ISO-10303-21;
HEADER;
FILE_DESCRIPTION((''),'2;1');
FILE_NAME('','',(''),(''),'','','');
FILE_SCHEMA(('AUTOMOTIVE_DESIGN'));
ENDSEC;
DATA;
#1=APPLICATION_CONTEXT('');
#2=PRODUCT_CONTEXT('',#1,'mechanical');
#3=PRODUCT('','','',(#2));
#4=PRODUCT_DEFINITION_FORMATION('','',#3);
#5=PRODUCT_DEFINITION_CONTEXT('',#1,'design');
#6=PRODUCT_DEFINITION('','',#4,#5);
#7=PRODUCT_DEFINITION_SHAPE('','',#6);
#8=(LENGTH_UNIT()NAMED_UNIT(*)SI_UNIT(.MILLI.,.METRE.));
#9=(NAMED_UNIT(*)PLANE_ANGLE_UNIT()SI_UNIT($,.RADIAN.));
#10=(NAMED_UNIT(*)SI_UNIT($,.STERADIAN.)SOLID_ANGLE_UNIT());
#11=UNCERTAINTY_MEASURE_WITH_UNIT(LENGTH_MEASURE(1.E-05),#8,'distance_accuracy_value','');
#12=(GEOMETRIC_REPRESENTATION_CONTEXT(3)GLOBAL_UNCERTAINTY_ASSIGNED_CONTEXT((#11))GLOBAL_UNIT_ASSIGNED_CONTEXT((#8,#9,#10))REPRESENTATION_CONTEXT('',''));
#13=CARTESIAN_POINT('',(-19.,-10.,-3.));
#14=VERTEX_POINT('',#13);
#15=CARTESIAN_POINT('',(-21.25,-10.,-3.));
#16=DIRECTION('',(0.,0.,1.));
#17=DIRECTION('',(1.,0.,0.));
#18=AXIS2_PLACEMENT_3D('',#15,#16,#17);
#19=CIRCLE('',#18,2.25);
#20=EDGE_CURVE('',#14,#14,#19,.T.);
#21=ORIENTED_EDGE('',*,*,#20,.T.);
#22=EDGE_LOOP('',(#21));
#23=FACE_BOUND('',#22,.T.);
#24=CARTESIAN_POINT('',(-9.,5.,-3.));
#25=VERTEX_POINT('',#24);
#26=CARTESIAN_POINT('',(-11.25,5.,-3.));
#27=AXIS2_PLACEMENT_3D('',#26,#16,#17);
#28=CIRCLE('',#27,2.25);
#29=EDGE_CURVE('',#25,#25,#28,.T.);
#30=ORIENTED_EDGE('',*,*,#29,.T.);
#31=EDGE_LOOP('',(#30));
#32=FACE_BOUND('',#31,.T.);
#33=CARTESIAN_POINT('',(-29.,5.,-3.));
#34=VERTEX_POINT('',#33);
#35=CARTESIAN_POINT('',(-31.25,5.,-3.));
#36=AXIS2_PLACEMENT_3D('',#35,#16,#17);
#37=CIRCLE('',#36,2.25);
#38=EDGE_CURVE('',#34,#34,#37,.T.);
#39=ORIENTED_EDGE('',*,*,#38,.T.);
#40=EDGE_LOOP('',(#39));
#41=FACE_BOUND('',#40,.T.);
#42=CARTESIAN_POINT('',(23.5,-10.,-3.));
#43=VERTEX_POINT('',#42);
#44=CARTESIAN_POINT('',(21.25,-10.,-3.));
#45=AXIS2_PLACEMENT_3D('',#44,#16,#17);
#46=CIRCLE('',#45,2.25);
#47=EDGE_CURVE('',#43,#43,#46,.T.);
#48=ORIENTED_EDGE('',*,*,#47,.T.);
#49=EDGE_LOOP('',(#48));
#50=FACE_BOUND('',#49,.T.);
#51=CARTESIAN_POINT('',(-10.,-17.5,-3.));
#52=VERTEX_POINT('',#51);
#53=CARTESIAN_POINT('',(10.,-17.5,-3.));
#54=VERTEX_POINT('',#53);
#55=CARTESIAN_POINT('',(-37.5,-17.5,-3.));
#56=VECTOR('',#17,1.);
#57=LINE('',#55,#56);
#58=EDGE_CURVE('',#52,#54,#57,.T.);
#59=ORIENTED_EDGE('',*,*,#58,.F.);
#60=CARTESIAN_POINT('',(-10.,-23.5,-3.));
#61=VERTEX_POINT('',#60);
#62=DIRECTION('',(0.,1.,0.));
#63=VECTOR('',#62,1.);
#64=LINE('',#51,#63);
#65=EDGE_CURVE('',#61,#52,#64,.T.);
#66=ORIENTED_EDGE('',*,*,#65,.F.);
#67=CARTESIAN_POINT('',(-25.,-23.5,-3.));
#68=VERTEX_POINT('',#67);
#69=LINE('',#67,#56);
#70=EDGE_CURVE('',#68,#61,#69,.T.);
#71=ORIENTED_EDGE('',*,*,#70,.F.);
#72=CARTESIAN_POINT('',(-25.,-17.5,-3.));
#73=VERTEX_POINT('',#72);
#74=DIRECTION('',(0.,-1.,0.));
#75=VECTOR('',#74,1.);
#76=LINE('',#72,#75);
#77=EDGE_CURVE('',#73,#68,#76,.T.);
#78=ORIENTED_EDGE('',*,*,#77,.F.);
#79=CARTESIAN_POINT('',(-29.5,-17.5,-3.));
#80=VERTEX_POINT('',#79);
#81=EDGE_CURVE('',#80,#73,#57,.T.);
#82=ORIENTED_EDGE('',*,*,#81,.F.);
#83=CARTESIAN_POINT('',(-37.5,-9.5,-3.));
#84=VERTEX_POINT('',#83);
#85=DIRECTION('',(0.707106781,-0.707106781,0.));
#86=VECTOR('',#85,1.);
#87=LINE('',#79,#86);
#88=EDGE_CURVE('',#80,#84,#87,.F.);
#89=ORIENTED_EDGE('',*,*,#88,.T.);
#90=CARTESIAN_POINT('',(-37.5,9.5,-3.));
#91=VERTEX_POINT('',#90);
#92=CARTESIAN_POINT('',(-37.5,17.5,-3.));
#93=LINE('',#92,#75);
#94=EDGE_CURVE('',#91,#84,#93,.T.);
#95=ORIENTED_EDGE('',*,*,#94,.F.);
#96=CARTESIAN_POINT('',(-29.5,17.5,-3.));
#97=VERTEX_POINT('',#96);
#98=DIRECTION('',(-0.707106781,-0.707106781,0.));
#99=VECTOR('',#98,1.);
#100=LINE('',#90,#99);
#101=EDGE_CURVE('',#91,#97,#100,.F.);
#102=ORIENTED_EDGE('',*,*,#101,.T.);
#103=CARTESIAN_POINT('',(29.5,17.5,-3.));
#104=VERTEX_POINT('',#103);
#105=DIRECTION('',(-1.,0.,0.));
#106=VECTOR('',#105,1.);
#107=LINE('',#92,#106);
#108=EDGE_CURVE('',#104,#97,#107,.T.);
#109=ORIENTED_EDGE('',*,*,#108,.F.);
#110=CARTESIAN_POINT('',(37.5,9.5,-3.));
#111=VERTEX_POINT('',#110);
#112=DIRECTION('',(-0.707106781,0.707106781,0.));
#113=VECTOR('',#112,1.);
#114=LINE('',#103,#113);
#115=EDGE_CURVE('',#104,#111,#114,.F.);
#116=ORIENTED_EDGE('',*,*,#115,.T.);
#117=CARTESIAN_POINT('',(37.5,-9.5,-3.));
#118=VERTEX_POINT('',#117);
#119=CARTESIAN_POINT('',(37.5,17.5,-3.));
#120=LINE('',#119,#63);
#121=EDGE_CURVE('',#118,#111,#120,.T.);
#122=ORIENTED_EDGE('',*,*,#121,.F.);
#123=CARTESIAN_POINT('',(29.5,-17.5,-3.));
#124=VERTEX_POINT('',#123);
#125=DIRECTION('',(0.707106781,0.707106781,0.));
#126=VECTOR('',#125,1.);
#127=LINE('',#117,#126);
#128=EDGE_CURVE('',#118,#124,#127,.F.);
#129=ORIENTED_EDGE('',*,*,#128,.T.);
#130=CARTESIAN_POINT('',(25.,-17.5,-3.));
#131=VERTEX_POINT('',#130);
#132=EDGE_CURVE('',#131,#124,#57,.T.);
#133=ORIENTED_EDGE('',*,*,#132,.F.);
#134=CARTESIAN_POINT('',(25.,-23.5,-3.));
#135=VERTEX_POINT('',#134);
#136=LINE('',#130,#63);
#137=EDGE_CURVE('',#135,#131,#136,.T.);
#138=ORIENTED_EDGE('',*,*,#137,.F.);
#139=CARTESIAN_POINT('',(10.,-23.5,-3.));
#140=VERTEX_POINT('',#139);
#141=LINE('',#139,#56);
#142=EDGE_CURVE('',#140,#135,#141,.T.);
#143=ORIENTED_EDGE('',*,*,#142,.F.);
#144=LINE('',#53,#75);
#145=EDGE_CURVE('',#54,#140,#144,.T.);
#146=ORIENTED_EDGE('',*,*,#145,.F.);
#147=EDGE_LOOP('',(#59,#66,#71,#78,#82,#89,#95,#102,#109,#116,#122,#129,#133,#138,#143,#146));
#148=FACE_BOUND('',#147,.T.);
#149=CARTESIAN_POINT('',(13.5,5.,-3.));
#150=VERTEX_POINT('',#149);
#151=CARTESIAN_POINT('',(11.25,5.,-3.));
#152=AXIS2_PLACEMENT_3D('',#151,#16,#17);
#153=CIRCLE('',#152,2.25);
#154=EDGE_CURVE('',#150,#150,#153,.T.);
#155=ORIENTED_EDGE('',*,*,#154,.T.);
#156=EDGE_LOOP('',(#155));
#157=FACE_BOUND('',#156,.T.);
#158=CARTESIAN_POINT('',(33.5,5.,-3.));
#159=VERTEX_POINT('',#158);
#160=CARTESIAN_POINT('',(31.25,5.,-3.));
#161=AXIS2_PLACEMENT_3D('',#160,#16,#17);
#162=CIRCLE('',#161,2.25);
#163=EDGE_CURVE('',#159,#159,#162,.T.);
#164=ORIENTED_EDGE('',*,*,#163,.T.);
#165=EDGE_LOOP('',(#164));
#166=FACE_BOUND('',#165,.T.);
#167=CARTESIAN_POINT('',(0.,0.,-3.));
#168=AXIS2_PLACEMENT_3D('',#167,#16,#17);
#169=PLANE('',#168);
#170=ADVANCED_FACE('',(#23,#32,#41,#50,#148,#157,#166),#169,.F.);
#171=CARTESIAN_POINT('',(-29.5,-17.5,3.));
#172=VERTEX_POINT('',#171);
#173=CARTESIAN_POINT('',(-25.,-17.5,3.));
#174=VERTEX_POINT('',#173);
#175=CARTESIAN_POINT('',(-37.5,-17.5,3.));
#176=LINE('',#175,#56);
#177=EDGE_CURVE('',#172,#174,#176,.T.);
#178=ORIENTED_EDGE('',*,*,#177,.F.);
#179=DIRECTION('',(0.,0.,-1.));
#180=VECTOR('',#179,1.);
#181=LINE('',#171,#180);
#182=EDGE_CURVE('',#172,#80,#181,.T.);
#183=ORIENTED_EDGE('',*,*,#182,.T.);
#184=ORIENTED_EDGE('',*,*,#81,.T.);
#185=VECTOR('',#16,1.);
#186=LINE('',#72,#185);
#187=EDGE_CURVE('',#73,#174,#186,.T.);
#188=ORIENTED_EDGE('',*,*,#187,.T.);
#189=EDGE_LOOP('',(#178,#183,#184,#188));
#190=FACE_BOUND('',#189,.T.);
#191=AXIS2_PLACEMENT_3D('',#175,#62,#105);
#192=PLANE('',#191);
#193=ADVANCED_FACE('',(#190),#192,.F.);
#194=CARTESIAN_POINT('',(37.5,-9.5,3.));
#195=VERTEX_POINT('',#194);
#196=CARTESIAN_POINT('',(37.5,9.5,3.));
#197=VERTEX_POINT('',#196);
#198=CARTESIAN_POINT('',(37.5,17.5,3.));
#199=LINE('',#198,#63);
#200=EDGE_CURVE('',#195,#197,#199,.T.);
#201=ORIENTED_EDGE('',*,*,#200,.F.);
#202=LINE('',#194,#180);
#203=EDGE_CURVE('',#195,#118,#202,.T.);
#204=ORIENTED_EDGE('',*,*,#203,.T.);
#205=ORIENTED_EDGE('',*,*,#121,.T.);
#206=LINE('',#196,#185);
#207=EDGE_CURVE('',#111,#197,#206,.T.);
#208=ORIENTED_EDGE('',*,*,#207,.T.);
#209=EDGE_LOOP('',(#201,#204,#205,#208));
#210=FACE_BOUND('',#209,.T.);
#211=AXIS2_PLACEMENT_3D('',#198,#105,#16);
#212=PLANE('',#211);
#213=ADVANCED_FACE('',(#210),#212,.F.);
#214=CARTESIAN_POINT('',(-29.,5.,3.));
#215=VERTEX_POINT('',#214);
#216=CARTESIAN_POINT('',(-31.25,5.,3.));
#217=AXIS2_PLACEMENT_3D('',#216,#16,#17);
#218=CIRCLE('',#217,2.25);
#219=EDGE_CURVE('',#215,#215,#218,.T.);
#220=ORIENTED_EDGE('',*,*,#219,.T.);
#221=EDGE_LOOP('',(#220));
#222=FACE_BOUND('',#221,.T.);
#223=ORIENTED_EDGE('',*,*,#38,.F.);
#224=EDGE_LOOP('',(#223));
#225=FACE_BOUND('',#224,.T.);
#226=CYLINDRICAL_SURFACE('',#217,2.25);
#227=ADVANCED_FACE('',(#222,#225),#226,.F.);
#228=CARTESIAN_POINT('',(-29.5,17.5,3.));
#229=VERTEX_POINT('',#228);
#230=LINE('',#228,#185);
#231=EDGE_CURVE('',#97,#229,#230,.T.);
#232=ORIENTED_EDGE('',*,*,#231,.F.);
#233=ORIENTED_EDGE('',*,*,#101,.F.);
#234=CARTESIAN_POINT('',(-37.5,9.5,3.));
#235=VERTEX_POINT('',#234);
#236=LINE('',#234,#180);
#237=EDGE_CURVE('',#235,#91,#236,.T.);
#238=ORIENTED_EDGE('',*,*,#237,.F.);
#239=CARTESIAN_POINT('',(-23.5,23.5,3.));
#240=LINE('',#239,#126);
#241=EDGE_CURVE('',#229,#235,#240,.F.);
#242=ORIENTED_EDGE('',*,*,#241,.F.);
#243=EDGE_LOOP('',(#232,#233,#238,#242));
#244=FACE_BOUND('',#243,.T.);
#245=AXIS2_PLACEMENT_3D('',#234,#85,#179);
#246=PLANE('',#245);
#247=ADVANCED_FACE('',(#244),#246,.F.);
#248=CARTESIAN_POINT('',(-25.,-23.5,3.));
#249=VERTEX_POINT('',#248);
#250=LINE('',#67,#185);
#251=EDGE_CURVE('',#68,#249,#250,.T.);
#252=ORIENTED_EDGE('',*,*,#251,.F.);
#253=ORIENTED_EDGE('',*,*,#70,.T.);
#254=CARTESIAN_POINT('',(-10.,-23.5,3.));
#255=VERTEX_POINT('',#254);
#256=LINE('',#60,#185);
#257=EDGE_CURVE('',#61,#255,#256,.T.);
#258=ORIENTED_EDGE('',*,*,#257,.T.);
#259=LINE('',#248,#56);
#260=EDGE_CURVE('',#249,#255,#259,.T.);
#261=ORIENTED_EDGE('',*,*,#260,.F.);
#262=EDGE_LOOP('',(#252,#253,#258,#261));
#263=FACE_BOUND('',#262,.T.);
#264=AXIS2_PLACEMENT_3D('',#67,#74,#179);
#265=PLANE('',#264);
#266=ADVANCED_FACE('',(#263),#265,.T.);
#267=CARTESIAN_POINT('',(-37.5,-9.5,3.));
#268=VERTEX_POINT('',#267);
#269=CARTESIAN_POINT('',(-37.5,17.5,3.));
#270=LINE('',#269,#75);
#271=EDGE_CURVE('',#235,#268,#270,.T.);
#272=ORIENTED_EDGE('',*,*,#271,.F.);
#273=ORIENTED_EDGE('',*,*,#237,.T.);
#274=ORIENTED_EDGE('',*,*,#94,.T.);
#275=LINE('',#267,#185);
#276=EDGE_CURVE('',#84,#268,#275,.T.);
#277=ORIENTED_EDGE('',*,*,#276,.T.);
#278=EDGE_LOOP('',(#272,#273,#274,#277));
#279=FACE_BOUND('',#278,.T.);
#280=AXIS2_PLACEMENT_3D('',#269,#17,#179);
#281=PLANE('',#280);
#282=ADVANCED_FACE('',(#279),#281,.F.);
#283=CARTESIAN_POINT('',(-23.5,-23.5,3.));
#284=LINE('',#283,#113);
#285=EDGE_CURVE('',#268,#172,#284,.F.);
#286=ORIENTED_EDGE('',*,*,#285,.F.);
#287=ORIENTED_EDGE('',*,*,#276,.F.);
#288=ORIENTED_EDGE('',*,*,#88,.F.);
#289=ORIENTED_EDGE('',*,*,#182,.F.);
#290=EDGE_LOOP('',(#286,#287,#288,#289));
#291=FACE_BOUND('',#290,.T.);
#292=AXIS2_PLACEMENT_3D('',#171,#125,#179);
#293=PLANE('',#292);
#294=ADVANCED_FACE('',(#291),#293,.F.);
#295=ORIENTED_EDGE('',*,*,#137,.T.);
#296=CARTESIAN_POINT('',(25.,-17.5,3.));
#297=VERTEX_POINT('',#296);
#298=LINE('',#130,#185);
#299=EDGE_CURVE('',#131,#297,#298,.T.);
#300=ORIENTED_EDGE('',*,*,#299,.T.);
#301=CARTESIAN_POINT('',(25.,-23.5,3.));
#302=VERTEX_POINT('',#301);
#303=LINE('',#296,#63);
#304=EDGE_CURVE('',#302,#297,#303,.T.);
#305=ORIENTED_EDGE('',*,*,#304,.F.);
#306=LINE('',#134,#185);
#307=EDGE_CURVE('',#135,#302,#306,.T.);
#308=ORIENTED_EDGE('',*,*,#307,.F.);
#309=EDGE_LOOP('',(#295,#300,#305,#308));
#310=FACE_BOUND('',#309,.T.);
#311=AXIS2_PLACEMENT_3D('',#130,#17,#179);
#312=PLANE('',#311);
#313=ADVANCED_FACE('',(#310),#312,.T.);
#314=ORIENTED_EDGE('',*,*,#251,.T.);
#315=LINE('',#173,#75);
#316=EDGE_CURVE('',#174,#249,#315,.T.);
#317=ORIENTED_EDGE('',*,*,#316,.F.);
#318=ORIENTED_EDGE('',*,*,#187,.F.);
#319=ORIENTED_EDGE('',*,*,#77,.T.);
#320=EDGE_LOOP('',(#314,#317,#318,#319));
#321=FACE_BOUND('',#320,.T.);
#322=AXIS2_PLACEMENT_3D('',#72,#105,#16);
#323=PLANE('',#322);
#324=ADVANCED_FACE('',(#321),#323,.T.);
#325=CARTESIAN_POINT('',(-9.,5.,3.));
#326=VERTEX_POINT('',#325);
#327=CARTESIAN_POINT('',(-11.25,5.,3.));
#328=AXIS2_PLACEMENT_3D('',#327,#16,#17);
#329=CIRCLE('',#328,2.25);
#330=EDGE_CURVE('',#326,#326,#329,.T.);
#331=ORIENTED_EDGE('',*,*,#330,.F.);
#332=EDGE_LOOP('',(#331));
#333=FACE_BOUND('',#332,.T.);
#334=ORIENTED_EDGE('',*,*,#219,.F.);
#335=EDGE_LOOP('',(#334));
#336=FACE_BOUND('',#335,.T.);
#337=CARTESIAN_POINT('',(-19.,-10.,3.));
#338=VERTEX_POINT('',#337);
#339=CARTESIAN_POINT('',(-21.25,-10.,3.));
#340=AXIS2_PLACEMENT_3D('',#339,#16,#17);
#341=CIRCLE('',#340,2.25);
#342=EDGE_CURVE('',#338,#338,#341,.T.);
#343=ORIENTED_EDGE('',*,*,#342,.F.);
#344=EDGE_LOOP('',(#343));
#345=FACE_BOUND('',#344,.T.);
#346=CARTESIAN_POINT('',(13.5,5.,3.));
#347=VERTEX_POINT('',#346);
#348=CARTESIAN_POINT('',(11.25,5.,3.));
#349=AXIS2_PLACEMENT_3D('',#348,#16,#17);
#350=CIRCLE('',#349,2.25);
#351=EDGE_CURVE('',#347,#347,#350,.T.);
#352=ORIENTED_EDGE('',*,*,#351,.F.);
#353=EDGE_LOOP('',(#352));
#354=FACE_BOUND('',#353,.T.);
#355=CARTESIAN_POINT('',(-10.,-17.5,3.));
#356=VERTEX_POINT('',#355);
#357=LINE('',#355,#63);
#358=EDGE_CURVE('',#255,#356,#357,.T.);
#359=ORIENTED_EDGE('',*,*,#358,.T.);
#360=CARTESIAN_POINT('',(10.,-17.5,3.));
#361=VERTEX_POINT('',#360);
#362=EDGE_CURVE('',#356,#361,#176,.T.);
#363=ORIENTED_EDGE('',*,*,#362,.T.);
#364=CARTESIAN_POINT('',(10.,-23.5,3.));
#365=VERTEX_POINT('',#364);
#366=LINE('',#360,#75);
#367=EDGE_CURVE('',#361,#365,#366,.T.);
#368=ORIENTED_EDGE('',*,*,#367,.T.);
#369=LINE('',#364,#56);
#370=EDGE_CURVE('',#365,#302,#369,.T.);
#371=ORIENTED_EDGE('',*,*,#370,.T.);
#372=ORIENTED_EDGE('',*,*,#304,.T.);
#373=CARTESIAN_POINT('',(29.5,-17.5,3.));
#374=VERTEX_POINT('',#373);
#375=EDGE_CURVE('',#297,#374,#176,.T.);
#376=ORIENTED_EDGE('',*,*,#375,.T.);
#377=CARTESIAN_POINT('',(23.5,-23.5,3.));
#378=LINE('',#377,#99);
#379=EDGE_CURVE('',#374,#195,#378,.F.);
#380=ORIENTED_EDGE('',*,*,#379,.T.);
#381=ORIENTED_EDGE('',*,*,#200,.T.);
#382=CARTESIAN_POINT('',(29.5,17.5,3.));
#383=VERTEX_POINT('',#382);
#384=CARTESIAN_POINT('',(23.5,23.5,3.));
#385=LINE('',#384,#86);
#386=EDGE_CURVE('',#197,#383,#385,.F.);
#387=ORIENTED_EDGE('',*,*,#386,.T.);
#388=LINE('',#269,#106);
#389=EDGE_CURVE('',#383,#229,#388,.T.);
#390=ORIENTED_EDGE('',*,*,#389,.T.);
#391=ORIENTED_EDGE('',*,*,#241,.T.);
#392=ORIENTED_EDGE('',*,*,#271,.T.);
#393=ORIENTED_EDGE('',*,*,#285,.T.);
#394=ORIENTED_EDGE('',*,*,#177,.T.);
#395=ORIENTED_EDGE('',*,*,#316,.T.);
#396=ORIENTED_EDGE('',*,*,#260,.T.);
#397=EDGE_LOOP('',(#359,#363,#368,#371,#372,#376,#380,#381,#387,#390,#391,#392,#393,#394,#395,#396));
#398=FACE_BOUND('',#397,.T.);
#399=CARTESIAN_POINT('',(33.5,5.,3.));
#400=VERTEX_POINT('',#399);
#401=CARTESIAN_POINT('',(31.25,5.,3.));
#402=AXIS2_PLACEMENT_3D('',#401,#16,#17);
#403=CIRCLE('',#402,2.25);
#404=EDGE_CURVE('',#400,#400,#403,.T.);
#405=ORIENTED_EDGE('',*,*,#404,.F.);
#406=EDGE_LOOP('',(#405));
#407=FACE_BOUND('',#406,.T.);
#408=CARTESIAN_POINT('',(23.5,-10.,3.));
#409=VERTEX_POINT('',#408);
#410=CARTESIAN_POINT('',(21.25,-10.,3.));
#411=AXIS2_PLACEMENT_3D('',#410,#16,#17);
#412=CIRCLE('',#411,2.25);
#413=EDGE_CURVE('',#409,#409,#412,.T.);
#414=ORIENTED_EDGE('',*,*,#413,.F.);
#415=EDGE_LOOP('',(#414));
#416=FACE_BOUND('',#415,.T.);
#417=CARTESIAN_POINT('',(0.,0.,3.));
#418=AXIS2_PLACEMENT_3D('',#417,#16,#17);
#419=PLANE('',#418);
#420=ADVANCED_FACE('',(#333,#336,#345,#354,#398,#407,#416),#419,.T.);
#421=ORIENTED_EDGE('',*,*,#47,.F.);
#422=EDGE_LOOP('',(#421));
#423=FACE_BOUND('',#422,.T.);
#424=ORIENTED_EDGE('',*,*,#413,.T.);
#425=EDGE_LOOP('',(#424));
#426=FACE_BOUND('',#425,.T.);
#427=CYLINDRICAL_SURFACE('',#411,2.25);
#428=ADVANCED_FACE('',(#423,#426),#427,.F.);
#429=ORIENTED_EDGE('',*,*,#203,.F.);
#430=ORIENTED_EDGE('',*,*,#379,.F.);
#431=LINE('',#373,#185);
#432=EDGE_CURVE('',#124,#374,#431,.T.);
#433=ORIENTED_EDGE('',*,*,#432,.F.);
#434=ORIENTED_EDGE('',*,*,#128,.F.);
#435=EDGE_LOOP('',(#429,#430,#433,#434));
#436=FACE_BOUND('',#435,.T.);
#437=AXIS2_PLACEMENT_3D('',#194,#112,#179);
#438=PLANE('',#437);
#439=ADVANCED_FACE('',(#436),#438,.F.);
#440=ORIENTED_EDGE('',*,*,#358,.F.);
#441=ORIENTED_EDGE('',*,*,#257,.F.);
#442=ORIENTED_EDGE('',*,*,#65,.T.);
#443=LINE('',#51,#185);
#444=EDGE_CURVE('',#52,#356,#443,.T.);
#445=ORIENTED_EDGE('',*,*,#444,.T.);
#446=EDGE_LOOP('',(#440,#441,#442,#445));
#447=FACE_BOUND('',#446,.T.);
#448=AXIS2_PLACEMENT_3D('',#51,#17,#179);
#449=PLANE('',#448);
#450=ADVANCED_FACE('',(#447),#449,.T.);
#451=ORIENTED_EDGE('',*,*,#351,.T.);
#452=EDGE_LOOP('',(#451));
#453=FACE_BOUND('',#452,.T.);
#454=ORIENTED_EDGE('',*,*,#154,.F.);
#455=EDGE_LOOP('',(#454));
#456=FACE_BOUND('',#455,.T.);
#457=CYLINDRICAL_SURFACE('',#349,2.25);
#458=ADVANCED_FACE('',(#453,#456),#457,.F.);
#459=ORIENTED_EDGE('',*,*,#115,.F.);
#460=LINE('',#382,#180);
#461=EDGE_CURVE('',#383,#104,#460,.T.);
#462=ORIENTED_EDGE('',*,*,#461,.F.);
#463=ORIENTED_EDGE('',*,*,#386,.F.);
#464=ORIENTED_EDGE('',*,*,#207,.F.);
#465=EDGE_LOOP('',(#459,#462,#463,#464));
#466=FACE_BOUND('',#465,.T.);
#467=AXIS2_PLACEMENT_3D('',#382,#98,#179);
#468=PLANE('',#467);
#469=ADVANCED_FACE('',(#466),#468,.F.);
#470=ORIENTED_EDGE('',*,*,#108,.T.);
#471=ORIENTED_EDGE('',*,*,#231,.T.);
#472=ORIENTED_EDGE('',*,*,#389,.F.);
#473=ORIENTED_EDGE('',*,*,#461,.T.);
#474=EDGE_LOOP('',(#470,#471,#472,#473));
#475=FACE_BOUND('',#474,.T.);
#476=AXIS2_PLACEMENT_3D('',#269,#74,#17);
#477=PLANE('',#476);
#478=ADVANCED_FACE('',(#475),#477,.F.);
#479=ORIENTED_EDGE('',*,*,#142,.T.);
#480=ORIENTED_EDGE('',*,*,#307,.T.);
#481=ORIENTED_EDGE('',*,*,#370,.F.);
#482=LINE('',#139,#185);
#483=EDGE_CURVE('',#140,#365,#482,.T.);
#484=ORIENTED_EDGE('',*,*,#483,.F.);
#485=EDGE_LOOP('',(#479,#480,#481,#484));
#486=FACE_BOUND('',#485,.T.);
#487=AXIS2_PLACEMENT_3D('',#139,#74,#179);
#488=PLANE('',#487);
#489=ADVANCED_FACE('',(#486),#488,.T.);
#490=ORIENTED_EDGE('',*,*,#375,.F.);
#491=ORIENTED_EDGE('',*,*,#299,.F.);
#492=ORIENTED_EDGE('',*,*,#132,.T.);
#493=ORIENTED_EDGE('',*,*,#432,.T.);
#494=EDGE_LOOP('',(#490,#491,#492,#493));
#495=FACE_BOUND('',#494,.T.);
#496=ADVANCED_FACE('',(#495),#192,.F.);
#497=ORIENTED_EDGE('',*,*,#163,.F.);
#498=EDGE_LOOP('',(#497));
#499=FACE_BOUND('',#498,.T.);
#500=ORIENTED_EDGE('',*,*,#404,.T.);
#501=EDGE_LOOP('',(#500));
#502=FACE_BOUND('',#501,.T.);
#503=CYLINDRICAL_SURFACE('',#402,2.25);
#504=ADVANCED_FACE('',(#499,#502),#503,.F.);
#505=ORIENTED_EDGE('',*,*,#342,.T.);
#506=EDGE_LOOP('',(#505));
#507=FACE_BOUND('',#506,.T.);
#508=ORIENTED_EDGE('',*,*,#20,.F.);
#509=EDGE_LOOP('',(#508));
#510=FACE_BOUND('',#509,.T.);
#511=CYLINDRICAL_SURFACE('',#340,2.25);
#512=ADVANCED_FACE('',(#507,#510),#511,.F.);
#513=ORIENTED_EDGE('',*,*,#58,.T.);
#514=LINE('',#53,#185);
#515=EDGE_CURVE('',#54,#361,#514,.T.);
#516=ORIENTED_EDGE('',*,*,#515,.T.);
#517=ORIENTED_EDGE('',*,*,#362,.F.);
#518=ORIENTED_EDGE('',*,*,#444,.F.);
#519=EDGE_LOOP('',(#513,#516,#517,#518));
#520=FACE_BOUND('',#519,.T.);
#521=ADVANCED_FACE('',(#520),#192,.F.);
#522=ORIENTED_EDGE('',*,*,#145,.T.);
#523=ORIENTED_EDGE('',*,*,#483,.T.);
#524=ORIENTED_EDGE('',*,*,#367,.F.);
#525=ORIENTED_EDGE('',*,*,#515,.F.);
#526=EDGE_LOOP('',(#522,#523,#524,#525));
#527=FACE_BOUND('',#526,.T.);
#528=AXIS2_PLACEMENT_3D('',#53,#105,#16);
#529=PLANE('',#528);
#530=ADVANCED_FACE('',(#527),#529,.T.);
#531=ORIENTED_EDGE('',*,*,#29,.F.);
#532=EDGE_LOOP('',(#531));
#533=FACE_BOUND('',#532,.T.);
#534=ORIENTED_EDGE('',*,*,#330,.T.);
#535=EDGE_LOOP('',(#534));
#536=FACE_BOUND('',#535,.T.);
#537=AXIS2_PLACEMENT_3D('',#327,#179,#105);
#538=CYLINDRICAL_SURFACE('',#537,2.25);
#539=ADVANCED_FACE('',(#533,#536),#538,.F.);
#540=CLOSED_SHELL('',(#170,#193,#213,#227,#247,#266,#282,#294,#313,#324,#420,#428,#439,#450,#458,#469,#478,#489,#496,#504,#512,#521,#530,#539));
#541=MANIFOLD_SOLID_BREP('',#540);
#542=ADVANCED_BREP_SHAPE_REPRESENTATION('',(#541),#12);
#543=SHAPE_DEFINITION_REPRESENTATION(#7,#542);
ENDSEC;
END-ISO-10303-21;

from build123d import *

# Parameters (mm, degrees)
CROQUIS1_W                   = 75
CROQUIS1_H                   = 35
CROQUIS1_R                   = 2.25
SALIENTE_EXTRUIR1_DEPTH      = 3
TALADRO_DE_MARGEN_PARA_M41_D = 4.5
CROQUIS6_W                   = 15
CROQUIS6_H                   = 6
SALIENTE_EXTRUIR2_DEPTH      = 6
CHAFL_N1_SIZE                = 8


with BuildPart() as part:
    # Croquis1 → Saliente-Extruir1 (new, symmetric)
    with BuildSketch(Plane.XY):
        Rectangle(CROQUIS1_W, CROQUIS1_H)
        with Locations((-11.25, 5)):
            Circle(CROQUIS1_R, mode=Mode.SUBTRACT)
    extrude(amount=SALIENTE_EXTRUIR1_DEPTH, both=True)

    # Taladro de margen para M41 (through all)
    with Locations(Plane.XY.offset(3)):
        with Locations((-31.25, 5), (31.25, 5), (11.25, 5), (-21.25, -10), (21.25, -10)):
            Hole(TALADRO_DE_MARGEN_PARA_M41_D / 2)

    # Croquis6 → Saliente-Extruir2 (add, through all)
    with BuildSketch(Plane.XY.offset(3)):
        with Locations((-17.5, -20.5)):
            Rectangle(CROQUIS6_W, CROQUIS6_H)
        with Locations((17.5, -20.5)):
            Rectangle(CROQUIS6_W, CROQUIS6_H)
    extrude(amount=-SALIENTE_EXTRUIR2_DEPTH)

    # Chaflán1
    chafl_n1_edges = [part.edges().sort_by_distance(p)[0] for p in [
        (-37.5, 17.5, 0),
        (37.5, 17.5, 0),
        (37.5, -17.5, 0),
        (-37.5, -17.5, 0),
    ]]
    chamfer(chafl_n1_edges, length=CHAFL_N1_SIZE)


solid = part.part
